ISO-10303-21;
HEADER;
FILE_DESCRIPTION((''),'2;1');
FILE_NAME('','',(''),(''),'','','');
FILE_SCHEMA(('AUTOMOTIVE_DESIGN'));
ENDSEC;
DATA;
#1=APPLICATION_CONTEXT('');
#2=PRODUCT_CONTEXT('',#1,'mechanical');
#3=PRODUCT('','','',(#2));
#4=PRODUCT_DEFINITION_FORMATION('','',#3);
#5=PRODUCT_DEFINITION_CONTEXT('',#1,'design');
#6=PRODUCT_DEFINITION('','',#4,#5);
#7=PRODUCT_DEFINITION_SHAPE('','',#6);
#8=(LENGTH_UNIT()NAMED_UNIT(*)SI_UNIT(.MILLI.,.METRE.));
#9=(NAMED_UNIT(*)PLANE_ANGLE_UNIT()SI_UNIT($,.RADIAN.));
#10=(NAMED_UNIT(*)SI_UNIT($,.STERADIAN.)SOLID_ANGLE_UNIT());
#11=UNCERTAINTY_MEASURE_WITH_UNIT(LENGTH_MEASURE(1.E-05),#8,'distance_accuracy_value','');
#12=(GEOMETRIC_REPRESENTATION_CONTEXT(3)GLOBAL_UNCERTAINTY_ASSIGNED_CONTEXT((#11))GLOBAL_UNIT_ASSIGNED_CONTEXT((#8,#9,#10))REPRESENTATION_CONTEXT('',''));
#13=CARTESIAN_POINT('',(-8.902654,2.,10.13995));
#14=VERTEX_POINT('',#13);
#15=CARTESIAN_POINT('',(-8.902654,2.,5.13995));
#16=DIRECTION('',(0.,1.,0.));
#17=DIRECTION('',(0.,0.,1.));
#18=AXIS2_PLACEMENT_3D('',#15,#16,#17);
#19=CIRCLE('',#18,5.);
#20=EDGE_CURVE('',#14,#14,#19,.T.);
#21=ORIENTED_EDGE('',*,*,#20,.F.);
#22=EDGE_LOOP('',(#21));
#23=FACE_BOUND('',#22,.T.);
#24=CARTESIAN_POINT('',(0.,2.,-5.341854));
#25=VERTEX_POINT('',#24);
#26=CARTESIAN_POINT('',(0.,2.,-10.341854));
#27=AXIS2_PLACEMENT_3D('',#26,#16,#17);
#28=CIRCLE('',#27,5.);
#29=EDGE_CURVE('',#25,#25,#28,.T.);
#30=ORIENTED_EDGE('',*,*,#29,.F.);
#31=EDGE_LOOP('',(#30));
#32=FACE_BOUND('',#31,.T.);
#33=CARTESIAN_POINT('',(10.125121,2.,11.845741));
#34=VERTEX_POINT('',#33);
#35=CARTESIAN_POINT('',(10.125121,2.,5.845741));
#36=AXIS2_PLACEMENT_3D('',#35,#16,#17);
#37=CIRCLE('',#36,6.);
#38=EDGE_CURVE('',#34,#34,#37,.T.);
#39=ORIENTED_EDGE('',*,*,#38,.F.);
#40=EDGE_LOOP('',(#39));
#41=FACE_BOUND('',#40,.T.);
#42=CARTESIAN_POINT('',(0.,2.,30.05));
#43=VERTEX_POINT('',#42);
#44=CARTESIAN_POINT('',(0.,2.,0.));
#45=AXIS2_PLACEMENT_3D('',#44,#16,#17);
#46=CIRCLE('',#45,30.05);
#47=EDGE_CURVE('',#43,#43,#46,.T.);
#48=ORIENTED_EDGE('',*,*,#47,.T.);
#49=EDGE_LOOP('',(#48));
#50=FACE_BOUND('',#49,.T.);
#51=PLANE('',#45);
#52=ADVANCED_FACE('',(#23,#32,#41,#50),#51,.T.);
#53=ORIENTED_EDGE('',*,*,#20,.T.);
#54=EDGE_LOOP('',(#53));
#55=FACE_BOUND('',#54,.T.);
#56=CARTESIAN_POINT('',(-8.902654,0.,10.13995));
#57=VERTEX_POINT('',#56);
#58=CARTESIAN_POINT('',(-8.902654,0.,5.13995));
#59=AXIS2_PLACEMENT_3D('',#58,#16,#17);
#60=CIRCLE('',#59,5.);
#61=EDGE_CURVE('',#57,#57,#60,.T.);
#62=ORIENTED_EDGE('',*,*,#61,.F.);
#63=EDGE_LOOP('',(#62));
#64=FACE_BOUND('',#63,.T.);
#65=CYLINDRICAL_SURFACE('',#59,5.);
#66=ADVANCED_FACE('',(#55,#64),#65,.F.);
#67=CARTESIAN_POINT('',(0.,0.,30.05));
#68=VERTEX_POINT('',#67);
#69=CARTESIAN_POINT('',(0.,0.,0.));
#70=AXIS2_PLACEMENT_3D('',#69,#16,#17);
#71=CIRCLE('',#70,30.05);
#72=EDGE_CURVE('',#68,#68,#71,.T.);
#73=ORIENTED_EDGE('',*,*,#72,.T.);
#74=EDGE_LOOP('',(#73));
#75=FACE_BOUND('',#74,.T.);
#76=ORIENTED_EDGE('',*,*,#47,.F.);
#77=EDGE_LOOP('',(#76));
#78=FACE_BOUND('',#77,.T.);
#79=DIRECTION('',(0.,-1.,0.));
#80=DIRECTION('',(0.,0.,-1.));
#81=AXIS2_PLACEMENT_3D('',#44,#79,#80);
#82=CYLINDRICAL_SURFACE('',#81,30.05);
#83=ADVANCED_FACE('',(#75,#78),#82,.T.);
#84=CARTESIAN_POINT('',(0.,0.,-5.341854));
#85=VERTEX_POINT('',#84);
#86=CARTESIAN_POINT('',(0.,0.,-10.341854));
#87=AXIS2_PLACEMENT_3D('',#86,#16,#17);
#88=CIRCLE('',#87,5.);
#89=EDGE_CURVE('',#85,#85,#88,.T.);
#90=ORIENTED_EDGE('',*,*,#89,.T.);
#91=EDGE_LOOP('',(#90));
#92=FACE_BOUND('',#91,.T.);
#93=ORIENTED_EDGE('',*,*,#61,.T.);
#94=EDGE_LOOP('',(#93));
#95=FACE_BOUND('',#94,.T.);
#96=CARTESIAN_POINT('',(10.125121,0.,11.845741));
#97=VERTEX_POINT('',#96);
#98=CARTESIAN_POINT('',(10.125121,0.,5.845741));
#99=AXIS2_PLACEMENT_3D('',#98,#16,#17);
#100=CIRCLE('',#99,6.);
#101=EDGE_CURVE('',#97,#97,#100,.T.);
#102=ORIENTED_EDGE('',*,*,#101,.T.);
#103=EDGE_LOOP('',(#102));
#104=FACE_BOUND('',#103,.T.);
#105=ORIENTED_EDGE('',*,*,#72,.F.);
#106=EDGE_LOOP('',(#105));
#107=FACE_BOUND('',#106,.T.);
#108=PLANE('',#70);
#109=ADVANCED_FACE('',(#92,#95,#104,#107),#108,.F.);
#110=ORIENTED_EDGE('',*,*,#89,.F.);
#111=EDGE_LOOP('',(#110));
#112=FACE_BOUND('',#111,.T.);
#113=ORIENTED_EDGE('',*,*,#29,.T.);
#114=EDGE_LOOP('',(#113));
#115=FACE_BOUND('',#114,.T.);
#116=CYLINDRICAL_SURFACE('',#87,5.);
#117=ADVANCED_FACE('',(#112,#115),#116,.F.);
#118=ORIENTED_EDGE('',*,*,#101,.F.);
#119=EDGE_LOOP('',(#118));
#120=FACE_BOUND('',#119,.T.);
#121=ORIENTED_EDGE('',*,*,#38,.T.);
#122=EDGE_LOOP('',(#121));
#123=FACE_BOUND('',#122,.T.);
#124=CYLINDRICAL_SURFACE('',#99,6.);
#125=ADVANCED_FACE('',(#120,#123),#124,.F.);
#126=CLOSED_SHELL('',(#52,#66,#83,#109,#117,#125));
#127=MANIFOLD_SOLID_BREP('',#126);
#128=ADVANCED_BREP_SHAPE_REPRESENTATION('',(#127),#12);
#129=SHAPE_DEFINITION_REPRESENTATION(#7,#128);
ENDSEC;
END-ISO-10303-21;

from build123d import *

# Parameters (mm, degrees)
SKETCH1_R           = 30.05
BOSS_EXTRUDE1_DEPTH = 2
SKETCH2_R           = 5
SKETCH2_R_2         = 6
CUT_EXTRUDE1_DEPTH  = 2


with BuildPart() as part:
    # Sketch1 → Boss-Extrude1 (new body)
    with BuildSketch(Plane(origin=(0, 0, 0), x_dir=(1, 0, 0), z_dir=(0, 1, 0))):
        with Locations(Location((0, 0, 0), (0, 0, 270))):
            Circle(SKETCH1_R)
    extrude(amount=BOSS_EXTRUDE1_DEPTH)

    # Sketch2 → Cut-Extrude1 (cut)
    with BuildSketch(Plane(origin=(0, 2, 0), x_dir=(1, 0, 0), z_dir=(0, 1, 0))):
        with Locations(Location((0, 10.34185389, 0), (0, 0, 270))):
            Circle(SKETCH2_R)
        with Locations(Location((-8.902654392, -5.139949909, 0), (0, 0, 270))):
            Circle(SKETCH2_R)
        with Locations(Location((10.1251211, -5.845741393, 0), (0, 0, 270))):
            Circle(SKETCH2_R_2)
    extrude(amount=-CUT_EXTRUDE1_DEPTH, mode=Mode.SUBTRACT)


solid = part.part
